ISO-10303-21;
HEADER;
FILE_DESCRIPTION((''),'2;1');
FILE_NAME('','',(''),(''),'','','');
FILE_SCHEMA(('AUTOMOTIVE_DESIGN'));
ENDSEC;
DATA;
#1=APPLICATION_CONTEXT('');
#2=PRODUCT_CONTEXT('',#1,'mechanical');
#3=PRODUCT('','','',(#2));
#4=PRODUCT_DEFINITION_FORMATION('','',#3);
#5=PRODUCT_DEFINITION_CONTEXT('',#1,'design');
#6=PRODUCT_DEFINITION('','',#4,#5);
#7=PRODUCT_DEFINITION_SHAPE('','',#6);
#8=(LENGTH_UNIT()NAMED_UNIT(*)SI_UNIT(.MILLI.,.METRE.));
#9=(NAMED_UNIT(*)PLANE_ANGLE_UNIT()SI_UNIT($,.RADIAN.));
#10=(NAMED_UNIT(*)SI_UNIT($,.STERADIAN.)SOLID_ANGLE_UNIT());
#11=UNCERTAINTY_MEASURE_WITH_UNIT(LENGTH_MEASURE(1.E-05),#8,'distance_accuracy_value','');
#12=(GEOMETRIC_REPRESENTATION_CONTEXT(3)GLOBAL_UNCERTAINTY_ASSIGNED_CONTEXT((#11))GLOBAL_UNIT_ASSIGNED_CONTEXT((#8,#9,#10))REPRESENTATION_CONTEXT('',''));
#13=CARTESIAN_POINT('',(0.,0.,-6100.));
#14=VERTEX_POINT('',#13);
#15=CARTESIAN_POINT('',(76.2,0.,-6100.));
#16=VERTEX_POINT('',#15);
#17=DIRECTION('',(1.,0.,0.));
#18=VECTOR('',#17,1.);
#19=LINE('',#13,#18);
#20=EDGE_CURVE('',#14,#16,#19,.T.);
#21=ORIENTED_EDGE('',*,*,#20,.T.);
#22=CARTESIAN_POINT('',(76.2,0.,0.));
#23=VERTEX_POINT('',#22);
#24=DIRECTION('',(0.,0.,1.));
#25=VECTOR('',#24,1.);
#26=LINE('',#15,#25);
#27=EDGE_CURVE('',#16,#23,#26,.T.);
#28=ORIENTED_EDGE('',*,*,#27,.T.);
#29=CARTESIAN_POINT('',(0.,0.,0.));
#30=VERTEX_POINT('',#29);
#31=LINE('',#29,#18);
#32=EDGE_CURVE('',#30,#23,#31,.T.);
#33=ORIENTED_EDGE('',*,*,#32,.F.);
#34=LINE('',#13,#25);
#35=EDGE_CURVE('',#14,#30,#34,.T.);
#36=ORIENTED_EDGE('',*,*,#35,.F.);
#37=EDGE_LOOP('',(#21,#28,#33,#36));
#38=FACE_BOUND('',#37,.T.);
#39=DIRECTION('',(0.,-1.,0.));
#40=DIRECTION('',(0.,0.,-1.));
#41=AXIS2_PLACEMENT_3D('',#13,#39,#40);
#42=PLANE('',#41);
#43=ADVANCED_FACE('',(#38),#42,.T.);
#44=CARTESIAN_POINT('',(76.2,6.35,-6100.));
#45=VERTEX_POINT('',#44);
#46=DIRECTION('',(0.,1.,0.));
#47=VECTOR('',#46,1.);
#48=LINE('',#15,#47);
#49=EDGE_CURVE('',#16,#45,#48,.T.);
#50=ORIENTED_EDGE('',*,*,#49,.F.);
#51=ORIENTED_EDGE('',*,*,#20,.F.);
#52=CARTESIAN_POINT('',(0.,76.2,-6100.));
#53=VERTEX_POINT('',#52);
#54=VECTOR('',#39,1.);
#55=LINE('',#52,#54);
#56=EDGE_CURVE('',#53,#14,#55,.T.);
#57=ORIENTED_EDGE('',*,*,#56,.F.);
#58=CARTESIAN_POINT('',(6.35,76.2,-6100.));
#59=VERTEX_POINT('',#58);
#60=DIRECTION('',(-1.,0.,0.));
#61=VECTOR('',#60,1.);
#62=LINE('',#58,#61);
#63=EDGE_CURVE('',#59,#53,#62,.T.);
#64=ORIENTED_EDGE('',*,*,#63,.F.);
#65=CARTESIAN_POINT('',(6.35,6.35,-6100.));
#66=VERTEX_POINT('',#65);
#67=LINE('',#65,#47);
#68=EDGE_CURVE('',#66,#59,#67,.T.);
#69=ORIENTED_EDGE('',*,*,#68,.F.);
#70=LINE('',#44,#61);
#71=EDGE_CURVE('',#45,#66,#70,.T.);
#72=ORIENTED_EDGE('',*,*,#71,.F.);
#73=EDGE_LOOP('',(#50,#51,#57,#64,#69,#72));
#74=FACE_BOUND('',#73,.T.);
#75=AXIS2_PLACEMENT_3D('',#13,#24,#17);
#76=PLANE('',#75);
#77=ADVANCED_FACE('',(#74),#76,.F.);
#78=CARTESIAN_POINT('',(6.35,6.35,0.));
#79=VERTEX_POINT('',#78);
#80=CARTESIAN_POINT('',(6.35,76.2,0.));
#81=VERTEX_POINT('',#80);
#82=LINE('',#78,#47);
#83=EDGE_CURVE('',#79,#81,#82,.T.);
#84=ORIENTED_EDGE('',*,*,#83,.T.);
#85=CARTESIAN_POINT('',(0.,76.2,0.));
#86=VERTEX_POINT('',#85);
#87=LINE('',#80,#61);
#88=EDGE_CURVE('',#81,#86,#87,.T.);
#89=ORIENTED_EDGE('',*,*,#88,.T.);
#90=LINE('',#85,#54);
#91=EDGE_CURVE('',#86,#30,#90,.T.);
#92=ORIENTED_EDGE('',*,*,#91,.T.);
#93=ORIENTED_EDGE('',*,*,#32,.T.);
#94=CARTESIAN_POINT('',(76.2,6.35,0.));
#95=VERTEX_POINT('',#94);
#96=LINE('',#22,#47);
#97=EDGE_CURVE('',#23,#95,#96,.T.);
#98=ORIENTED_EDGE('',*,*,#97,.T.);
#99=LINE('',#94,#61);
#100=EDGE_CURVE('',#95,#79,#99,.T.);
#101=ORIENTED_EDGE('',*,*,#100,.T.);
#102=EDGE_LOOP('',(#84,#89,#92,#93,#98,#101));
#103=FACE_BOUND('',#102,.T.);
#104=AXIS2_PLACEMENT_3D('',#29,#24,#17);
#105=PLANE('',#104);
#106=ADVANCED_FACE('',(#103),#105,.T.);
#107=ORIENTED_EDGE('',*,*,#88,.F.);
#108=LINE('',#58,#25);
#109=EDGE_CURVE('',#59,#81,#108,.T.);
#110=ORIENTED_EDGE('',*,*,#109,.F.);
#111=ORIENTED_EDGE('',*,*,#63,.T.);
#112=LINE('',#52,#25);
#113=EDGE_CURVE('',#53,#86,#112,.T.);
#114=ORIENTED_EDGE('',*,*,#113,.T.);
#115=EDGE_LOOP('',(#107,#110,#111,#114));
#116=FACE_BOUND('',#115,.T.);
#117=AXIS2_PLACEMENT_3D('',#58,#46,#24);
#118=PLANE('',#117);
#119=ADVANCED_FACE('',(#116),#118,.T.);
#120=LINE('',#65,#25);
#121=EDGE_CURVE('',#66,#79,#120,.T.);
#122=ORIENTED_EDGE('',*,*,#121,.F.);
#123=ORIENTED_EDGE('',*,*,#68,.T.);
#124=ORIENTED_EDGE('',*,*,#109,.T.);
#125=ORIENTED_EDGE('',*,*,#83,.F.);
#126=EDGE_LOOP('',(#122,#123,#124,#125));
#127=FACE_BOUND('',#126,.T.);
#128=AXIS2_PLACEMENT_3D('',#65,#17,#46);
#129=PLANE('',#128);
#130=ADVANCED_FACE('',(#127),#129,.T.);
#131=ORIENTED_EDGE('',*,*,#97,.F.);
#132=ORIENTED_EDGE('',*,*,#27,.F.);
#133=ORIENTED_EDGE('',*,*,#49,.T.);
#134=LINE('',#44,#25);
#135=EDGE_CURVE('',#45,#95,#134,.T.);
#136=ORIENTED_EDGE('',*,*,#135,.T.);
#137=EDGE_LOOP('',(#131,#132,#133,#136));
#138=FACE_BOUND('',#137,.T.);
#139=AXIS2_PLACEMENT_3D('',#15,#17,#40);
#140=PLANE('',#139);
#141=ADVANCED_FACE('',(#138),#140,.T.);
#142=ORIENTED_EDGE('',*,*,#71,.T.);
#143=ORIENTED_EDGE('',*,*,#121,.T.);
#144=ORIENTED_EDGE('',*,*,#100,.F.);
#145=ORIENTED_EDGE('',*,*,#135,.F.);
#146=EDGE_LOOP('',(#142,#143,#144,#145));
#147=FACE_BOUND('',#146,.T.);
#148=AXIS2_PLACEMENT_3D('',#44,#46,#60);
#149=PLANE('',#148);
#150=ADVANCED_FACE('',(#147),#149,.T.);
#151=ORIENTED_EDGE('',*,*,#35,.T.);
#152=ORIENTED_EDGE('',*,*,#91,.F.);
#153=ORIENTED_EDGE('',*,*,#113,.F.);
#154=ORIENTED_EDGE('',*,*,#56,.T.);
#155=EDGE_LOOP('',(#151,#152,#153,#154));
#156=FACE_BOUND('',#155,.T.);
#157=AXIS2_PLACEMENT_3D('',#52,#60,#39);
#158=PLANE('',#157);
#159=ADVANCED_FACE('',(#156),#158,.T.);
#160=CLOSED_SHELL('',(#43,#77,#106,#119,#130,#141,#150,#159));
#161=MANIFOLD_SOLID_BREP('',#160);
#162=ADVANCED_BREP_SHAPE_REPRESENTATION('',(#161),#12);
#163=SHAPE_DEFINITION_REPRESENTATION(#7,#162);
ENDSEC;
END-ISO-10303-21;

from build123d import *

# Parameters (mm, degrees)
SALIENTE_EXTRUIR1_DEPTH = 6100


with BuildPart() as part:
    # Croquis1 → Saliente-Extruir1 (new body)
    with BuildSketch(Plane.XY):
        Polygon((0, 76.2), (0, 0), (76.2, 0), (76.2, 6.35), (6.35, 6.35), (6.35, 76.2), align=None)
    extrude(amount=-SALIENTE_EXTRUIR1_DEPTH)


solid = part.part
